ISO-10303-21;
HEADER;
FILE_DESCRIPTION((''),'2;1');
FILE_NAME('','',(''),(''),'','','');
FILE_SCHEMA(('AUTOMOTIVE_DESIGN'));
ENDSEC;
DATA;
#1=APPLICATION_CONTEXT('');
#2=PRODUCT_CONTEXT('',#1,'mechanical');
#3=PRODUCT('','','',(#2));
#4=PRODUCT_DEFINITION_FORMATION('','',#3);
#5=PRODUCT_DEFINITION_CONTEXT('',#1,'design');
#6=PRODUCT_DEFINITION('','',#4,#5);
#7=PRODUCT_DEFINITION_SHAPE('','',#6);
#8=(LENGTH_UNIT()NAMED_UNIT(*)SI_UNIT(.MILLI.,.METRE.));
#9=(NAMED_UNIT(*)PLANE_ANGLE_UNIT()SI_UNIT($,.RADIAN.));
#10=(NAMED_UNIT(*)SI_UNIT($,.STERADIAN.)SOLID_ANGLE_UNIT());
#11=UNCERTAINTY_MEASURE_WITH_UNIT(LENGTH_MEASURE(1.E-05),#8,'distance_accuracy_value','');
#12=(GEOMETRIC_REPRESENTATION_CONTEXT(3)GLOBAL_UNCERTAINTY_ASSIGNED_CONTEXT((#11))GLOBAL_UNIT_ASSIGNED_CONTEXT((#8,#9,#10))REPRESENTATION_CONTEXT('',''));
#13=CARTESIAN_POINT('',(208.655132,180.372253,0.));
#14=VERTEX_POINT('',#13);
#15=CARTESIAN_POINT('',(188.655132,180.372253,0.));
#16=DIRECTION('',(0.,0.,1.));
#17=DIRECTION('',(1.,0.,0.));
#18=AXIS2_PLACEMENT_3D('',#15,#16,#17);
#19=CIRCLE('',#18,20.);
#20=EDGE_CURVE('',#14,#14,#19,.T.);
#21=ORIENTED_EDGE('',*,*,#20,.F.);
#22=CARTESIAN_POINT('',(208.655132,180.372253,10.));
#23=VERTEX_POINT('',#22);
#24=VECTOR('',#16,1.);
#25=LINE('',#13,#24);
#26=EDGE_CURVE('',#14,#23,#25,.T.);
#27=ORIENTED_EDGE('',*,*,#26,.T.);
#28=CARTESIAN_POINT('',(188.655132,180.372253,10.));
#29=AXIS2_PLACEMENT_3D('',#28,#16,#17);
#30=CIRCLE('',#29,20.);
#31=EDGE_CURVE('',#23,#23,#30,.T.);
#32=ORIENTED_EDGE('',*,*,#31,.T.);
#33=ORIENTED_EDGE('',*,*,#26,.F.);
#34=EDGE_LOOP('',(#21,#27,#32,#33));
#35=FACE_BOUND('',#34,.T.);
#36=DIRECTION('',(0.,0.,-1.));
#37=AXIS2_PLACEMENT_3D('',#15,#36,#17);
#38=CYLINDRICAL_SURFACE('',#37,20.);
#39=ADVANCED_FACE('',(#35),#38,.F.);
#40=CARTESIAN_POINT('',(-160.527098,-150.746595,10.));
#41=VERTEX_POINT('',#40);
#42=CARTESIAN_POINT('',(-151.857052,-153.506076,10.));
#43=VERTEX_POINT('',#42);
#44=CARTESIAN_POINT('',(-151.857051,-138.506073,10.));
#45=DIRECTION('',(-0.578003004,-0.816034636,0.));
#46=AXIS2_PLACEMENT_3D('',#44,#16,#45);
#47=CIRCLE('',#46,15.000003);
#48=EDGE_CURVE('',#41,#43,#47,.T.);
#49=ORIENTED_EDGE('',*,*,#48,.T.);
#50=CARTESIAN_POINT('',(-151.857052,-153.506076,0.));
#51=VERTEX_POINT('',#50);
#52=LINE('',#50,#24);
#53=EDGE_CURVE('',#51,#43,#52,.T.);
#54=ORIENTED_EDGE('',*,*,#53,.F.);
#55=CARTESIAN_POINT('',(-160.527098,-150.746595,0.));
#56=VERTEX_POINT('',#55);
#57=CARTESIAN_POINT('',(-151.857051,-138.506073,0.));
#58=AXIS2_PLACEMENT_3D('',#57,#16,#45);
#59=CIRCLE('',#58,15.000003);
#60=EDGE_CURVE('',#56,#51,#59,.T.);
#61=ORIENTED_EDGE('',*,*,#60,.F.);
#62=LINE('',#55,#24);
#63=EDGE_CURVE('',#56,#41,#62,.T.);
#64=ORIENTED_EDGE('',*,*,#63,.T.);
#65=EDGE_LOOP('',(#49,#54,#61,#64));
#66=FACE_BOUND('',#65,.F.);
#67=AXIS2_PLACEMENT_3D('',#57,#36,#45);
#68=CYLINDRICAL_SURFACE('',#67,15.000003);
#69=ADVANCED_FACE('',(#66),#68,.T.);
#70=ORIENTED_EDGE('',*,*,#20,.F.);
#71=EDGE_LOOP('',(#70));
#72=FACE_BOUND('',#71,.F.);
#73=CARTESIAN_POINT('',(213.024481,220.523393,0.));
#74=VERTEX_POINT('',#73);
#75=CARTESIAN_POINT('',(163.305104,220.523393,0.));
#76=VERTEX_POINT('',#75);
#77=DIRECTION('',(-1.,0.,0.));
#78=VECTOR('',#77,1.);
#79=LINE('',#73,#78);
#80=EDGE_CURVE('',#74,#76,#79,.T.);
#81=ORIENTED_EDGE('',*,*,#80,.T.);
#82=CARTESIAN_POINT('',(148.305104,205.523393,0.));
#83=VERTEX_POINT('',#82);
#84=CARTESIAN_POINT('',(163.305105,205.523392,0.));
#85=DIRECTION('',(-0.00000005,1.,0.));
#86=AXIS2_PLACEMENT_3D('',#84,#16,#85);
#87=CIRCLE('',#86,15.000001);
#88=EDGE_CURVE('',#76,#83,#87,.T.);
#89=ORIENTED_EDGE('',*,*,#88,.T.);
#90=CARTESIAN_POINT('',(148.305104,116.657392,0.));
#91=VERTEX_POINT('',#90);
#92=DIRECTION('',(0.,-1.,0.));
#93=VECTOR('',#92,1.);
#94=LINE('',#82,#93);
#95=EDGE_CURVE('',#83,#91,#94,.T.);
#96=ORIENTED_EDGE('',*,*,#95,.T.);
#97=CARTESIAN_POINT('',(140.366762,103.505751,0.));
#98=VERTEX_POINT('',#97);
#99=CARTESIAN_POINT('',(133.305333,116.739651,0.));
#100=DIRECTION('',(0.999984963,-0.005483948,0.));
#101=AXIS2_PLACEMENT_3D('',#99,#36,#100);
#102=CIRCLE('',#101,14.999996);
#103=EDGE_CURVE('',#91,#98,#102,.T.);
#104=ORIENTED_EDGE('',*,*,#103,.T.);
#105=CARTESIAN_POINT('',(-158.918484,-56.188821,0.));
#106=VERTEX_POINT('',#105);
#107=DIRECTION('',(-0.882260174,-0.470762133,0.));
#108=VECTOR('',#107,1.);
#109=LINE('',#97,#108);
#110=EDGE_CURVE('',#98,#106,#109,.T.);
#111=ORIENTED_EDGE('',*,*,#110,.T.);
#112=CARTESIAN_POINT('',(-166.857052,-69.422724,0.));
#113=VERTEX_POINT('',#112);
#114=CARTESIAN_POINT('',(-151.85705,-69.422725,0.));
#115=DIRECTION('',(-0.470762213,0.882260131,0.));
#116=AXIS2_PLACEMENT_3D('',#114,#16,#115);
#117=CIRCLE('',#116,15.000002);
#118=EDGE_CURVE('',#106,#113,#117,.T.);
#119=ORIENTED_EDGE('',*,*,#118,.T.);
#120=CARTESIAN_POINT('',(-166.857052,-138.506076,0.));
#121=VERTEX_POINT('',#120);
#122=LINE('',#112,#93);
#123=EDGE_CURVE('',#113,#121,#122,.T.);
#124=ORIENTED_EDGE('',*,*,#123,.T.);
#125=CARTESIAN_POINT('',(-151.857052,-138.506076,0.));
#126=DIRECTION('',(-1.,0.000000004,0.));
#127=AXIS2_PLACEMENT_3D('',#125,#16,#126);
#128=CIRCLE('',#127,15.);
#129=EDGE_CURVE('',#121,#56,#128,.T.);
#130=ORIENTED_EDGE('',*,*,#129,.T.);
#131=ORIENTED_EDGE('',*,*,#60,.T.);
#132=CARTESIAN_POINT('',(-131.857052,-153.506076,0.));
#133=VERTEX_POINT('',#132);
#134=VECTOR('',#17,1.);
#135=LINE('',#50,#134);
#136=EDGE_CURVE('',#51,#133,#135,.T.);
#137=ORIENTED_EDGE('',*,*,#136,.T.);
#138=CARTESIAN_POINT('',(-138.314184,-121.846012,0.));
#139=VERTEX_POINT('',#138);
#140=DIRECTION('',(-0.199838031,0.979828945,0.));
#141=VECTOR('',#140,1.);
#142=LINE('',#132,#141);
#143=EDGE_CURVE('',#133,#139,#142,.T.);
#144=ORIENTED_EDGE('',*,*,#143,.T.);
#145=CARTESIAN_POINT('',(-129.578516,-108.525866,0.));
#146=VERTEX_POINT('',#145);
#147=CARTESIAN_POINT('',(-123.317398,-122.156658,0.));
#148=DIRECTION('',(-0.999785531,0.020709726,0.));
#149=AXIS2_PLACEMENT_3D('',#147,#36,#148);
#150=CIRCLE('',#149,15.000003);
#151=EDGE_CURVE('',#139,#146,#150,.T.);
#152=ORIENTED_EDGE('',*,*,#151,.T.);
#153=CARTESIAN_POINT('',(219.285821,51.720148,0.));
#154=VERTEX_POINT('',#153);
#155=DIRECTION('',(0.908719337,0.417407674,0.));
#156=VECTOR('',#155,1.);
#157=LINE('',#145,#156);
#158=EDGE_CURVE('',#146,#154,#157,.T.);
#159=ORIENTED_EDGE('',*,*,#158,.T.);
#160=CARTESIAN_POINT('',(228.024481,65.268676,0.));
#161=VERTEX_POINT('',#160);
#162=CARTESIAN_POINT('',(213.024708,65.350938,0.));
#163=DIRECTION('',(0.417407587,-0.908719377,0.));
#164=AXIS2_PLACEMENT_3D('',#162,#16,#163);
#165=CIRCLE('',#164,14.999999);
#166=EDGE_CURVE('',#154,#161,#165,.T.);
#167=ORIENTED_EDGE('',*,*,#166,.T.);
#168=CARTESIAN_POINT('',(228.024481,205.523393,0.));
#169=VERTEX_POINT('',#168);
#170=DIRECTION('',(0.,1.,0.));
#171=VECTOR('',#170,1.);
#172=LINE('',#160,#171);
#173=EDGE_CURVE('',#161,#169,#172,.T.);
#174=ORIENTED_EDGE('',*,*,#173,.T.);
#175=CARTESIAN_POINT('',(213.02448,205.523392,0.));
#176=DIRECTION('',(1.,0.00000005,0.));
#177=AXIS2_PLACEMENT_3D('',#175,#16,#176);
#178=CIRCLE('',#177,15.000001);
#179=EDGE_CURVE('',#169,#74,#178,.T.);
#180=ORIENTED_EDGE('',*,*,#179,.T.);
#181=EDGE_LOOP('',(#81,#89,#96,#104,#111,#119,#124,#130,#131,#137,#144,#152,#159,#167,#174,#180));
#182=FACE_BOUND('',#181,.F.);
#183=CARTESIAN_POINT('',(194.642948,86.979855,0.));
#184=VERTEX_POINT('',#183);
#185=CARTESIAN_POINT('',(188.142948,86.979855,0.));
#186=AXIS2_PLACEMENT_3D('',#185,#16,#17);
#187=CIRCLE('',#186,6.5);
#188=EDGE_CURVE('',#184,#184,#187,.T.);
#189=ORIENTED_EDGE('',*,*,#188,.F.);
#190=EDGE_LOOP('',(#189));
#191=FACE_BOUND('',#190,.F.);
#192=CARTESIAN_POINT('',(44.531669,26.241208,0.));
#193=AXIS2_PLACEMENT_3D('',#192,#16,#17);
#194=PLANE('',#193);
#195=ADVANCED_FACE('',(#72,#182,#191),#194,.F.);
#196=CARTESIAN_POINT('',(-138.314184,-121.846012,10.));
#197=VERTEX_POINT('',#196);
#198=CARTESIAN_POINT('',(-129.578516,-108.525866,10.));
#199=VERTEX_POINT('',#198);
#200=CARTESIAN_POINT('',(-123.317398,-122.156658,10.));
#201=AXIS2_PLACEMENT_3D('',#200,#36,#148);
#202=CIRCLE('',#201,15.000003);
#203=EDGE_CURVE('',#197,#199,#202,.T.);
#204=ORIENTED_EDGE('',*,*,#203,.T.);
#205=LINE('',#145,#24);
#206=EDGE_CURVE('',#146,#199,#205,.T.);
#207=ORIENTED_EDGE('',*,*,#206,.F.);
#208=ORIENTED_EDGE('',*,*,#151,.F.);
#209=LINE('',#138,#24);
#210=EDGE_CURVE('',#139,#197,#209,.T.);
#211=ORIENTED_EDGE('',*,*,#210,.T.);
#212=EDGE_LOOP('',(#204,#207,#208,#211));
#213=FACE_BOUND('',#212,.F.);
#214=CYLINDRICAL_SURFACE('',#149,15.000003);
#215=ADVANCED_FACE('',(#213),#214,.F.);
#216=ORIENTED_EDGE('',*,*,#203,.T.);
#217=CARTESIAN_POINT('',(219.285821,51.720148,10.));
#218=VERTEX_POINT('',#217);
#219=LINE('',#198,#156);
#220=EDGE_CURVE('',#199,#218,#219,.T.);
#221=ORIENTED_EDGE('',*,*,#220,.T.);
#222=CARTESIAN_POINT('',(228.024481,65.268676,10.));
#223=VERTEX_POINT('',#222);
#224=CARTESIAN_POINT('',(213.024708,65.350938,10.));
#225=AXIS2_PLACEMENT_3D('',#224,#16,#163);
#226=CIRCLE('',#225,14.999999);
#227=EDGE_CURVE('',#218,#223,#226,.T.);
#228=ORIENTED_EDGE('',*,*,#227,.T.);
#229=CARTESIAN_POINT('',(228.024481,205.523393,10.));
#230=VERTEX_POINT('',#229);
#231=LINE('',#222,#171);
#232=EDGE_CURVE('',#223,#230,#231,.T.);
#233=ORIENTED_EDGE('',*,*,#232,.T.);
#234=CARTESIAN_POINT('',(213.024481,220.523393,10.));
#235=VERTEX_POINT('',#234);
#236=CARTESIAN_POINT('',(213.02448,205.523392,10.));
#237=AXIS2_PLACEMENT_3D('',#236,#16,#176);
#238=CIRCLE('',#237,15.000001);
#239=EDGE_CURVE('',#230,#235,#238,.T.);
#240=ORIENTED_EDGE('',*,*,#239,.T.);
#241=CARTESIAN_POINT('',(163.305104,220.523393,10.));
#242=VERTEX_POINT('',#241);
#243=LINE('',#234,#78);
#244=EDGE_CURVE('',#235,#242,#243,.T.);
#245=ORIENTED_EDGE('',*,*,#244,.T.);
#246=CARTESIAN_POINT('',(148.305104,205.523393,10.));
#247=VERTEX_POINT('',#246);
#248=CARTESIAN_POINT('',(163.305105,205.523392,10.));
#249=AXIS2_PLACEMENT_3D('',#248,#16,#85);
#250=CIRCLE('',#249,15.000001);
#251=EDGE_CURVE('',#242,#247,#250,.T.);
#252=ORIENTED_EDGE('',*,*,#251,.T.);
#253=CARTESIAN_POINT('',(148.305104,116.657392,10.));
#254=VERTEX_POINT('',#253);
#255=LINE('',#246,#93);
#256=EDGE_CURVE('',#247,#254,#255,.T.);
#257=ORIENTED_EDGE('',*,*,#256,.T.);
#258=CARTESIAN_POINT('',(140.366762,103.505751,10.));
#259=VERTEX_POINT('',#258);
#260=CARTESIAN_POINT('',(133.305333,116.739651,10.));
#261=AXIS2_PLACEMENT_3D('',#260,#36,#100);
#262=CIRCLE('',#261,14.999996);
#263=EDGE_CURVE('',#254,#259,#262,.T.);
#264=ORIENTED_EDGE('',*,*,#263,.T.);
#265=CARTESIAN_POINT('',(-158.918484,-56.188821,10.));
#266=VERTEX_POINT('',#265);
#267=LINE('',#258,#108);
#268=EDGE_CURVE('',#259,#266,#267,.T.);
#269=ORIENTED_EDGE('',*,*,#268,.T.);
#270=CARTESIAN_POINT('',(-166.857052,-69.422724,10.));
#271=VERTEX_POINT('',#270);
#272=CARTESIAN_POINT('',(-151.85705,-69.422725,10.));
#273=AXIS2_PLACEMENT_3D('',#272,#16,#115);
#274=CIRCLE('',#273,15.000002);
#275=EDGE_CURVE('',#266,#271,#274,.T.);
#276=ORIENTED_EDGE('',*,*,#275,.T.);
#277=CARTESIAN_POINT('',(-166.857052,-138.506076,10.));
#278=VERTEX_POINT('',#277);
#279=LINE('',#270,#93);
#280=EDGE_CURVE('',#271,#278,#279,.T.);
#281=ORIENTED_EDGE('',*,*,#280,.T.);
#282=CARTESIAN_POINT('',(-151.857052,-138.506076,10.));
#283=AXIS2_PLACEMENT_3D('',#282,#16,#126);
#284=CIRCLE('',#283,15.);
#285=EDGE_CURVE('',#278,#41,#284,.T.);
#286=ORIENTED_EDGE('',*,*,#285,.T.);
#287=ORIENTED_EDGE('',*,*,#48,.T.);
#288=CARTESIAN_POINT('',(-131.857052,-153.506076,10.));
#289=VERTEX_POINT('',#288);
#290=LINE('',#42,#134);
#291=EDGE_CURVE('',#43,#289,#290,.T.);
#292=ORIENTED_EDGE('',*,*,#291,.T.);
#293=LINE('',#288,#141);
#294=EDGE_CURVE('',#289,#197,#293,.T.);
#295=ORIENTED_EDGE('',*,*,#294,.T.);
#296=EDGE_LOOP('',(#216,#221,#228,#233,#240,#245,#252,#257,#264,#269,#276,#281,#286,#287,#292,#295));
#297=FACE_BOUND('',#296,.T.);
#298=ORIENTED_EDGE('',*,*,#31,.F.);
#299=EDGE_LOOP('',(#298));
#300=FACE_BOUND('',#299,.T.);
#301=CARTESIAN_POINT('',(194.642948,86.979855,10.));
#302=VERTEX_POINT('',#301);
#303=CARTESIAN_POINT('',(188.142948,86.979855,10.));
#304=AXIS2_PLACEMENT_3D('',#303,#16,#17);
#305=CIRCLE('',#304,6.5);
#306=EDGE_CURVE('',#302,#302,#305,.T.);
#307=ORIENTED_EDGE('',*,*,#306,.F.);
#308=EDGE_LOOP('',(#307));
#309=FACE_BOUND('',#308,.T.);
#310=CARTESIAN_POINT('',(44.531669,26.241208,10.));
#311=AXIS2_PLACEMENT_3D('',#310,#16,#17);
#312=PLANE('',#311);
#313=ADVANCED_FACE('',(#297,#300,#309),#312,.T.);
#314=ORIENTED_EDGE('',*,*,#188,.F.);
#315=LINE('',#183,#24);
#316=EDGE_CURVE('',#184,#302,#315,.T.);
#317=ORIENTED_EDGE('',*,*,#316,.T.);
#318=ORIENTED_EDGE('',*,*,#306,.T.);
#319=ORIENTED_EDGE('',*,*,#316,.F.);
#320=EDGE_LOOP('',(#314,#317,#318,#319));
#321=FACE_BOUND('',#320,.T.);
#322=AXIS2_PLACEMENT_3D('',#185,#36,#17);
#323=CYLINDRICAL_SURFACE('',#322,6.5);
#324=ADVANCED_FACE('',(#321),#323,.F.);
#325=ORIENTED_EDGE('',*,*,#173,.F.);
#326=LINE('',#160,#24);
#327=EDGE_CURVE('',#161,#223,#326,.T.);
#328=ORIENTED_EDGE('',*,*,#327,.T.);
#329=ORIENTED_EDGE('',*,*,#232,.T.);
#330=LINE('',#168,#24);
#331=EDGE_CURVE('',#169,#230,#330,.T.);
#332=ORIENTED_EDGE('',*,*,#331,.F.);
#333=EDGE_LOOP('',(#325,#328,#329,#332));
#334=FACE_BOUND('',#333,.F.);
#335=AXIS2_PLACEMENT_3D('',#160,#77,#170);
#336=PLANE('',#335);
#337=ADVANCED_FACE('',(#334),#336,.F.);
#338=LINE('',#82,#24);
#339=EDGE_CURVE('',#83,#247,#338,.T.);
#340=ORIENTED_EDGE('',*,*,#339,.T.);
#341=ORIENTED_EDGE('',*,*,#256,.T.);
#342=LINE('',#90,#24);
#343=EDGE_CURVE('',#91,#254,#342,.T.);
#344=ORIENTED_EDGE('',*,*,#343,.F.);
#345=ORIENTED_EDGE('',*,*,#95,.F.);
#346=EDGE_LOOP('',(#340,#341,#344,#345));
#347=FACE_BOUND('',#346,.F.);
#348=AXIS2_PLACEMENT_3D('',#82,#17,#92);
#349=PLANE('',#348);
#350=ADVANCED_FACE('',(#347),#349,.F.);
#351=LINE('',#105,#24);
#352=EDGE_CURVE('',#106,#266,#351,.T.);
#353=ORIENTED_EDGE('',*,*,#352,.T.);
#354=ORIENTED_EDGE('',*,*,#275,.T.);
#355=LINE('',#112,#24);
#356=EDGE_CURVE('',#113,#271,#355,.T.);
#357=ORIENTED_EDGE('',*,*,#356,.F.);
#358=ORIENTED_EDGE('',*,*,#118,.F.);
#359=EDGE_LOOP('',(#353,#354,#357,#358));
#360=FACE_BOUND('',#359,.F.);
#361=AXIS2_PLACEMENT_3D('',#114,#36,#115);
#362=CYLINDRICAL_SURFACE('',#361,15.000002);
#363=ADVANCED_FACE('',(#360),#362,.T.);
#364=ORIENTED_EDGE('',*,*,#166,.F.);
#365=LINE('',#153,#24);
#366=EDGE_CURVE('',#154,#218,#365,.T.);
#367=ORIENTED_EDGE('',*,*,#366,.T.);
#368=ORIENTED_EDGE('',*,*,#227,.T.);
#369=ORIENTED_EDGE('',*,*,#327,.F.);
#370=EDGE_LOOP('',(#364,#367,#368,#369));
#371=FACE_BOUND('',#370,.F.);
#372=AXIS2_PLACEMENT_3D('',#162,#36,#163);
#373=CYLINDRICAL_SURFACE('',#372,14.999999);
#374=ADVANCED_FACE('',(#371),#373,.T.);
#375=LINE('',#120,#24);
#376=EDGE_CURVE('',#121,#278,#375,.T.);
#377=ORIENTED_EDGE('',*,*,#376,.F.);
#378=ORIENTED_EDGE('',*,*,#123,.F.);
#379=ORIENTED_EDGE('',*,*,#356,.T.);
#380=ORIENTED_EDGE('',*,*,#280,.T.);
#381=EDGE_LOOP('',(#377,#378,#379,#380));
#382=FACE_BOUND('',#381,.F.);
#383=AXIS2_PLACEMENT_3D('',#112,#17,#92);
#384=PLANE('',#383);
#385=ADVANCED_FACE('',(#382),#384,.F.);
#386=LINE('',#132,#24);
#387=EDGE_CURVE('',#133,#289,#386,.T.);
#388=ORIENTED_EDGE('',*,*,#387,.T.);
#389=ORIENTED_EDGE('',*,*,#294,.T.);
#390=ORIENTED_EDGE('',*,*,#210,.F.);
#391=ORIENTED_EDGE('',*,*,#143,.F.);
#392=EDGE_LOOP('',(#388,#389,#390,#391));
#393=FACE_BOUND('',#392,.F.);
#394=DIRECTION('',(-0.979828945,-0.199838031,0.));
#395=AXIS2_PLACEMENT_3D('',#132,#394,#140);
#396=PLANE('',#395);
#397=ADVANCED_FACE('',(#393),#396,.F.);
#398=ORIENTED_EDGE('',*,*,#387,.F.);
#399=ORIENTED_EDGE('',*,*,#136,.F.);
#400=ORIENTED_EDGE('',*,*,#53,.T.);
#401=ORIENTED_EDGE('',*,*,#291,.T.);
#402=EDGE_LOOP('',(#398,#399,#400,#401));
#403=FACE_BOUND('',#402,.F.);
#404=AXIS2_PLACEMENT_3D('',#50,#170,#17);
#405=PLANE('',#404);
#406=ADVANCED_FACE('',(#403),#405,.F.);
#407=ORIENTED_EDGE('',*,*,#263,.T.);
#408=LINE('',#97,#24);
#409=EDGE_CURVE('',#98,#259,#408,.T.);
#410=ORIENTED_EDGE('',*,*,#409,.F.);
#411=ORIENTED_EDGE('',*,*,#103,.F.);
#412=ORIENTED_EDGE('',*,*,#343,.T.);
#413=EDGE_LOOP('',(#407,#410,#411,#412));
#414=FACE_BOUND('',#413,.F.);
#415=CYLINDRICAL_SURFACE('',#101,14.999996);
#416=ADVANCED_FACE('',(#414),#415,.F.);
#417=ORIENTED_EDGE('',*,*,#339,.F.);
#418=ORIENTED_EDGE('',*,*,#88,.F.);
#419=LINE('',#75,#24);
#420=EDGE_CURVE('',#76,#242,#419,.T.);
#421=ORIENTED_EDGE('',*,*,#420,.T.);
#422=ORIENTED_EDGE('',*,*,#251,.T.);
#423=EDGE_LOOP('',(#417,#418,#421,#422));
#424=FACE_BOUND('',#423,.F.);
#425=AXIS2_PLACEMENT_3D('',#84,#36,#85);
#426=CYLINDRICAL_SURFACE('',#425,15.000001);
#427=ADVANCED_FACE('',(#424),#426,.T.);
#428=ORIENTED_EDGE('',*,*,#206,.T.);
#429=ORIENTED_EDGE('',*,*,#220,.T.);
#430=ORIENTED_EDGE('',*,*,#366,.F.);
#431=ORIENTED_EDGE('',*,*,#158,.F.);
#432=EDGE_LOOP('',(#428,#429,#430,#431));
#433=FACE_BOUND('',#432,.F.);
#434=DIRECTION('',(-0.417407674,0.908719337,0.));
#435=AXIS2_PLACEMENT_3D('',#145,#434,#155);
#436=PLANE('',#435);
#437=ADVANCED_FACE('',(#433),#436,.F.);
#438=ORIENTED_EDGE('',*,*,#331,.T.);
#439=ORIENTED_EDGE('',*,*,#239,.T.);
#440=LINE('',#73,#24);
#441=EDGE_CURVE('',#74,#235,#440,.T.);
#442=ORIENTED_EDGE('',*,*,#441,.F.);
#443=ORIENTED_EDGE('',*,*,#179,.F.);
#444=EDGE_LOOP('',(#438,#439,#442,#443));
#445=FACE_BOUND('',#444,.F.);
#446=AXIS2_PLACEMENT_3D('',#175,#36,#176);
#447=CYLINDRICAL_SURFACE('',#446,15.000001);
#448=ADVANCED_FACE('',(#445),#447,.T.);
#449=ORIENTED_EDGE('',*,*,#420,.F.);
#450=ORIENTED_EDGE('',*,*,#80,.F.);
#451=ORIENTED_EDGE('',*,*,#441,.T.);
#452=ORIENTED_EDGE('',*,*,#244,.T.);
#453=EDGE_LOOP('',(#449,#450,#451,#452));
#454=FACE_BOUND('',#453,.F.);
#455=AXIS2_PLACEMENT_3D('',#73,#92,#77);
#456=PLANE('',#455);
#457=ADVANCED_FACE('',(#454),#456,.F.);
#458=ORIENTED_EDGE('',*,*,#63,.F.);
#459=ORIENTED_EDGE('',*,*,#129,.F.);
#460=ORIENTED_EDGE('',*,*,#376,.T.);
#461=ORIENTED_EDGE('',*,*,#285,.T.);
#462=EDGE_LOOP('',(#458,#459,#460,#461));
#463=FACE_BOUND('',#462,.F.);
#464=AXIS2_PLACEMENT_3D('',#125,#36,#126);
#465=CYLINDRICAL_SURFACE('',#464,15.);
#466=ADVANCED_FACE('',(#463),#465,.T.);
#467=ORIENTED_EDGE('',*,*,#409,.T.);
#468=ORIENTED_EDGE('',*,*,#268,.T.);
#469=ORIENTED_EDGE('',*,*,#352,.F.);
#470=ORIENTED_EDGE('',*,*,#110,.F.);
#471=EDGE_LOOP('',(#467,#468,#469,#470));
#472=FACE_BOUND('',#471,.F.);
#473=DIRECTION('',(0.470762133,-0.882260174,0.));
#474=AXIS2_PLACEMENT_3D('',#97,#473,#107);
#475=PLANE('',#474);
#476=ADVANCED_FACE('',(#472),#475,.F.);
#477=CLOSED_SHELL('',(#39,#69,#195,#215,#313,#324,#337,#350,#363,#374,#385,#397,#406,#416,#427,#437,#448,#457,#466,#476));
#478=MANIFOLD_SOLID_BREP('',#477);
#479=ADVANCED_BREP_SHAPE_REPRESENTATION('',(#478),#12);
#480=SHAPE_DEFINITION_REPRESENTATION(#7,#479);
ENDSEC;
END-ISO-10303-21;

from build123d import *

# Parameters (mm, degrees)
F0_R     = 6.5
F0_R_2   = 20
F1_DEPTH = 10


with BuildPart() as f1:
    # F0 (on Top) → F1 (new body)
    with BuildSketch(Plane.XY):
        with BuildLine():
            Line((140.366762, 103.505751), (-158.918484, -56.188821))
            ThreePointArc((-158.918484, -56.188821), (-164.720206, -61.706555), (-166.857052, -69.422724))
            Line((-166.857052, -69.422724), (-166.857052, -138.506076))
            ThreePointArc((-166.857052, -138.506076), (-165.180916, -145.396261), (-160.527098, -150.746595))
            ThreePointArc((-160.527098, -150.746595), (-156.40635, -152.799567), (-151.857052, -153.506076))
            Line((-151.857052, -153.506076), (-142.060088, -153.506076))
            Line((-142.060088, -153.506076), (-131.857052, -153.506076))
            Line((-131.857052, -153.506076), (-138.314184, -121.846012))
            ThreePointArc((-138.314184, -121.846012), (-135.860571, -113.930547), (-129.578516, -108.525866))
            Line((-129.578516, -108.525866), (219.285821, 51.720148))
            ThreePointArc((219.285821, 51.720148), (225.630142, 57.220563), (228.024481, 65.268676))
            Line((228.024481, 65.268676), (228.024481, 205.523393))
            ThreePointArc((228.024481, 205.523393), (223.631082, 216.129995), (213.024481, 220.523393))
            Line((213.024481, 220.523393), (163.305104, 220.523393))
            ThreePointArc((163.305104, 220.523393), (152.698503, 216.129995), (148.305104, 205.523393))
            Line((148.305104, 205.523393), (148.305104, 116.657392))
            ThreePointArc((148.305104, 116.657392), (146.147278, 108.988242), (140.366762, 103.505751))
        make_face()
        with Locations((188.142948, 86.979855)):
            Circle(F0_R, mode=Mode.SUBTRACT)
        with Locations((188.655132, 180.372253)):
            Circle(F0_R_2, mode=Mode.SUBTRACT)
    extrude(amount=F1_DEPTH)


solid = f1.part
